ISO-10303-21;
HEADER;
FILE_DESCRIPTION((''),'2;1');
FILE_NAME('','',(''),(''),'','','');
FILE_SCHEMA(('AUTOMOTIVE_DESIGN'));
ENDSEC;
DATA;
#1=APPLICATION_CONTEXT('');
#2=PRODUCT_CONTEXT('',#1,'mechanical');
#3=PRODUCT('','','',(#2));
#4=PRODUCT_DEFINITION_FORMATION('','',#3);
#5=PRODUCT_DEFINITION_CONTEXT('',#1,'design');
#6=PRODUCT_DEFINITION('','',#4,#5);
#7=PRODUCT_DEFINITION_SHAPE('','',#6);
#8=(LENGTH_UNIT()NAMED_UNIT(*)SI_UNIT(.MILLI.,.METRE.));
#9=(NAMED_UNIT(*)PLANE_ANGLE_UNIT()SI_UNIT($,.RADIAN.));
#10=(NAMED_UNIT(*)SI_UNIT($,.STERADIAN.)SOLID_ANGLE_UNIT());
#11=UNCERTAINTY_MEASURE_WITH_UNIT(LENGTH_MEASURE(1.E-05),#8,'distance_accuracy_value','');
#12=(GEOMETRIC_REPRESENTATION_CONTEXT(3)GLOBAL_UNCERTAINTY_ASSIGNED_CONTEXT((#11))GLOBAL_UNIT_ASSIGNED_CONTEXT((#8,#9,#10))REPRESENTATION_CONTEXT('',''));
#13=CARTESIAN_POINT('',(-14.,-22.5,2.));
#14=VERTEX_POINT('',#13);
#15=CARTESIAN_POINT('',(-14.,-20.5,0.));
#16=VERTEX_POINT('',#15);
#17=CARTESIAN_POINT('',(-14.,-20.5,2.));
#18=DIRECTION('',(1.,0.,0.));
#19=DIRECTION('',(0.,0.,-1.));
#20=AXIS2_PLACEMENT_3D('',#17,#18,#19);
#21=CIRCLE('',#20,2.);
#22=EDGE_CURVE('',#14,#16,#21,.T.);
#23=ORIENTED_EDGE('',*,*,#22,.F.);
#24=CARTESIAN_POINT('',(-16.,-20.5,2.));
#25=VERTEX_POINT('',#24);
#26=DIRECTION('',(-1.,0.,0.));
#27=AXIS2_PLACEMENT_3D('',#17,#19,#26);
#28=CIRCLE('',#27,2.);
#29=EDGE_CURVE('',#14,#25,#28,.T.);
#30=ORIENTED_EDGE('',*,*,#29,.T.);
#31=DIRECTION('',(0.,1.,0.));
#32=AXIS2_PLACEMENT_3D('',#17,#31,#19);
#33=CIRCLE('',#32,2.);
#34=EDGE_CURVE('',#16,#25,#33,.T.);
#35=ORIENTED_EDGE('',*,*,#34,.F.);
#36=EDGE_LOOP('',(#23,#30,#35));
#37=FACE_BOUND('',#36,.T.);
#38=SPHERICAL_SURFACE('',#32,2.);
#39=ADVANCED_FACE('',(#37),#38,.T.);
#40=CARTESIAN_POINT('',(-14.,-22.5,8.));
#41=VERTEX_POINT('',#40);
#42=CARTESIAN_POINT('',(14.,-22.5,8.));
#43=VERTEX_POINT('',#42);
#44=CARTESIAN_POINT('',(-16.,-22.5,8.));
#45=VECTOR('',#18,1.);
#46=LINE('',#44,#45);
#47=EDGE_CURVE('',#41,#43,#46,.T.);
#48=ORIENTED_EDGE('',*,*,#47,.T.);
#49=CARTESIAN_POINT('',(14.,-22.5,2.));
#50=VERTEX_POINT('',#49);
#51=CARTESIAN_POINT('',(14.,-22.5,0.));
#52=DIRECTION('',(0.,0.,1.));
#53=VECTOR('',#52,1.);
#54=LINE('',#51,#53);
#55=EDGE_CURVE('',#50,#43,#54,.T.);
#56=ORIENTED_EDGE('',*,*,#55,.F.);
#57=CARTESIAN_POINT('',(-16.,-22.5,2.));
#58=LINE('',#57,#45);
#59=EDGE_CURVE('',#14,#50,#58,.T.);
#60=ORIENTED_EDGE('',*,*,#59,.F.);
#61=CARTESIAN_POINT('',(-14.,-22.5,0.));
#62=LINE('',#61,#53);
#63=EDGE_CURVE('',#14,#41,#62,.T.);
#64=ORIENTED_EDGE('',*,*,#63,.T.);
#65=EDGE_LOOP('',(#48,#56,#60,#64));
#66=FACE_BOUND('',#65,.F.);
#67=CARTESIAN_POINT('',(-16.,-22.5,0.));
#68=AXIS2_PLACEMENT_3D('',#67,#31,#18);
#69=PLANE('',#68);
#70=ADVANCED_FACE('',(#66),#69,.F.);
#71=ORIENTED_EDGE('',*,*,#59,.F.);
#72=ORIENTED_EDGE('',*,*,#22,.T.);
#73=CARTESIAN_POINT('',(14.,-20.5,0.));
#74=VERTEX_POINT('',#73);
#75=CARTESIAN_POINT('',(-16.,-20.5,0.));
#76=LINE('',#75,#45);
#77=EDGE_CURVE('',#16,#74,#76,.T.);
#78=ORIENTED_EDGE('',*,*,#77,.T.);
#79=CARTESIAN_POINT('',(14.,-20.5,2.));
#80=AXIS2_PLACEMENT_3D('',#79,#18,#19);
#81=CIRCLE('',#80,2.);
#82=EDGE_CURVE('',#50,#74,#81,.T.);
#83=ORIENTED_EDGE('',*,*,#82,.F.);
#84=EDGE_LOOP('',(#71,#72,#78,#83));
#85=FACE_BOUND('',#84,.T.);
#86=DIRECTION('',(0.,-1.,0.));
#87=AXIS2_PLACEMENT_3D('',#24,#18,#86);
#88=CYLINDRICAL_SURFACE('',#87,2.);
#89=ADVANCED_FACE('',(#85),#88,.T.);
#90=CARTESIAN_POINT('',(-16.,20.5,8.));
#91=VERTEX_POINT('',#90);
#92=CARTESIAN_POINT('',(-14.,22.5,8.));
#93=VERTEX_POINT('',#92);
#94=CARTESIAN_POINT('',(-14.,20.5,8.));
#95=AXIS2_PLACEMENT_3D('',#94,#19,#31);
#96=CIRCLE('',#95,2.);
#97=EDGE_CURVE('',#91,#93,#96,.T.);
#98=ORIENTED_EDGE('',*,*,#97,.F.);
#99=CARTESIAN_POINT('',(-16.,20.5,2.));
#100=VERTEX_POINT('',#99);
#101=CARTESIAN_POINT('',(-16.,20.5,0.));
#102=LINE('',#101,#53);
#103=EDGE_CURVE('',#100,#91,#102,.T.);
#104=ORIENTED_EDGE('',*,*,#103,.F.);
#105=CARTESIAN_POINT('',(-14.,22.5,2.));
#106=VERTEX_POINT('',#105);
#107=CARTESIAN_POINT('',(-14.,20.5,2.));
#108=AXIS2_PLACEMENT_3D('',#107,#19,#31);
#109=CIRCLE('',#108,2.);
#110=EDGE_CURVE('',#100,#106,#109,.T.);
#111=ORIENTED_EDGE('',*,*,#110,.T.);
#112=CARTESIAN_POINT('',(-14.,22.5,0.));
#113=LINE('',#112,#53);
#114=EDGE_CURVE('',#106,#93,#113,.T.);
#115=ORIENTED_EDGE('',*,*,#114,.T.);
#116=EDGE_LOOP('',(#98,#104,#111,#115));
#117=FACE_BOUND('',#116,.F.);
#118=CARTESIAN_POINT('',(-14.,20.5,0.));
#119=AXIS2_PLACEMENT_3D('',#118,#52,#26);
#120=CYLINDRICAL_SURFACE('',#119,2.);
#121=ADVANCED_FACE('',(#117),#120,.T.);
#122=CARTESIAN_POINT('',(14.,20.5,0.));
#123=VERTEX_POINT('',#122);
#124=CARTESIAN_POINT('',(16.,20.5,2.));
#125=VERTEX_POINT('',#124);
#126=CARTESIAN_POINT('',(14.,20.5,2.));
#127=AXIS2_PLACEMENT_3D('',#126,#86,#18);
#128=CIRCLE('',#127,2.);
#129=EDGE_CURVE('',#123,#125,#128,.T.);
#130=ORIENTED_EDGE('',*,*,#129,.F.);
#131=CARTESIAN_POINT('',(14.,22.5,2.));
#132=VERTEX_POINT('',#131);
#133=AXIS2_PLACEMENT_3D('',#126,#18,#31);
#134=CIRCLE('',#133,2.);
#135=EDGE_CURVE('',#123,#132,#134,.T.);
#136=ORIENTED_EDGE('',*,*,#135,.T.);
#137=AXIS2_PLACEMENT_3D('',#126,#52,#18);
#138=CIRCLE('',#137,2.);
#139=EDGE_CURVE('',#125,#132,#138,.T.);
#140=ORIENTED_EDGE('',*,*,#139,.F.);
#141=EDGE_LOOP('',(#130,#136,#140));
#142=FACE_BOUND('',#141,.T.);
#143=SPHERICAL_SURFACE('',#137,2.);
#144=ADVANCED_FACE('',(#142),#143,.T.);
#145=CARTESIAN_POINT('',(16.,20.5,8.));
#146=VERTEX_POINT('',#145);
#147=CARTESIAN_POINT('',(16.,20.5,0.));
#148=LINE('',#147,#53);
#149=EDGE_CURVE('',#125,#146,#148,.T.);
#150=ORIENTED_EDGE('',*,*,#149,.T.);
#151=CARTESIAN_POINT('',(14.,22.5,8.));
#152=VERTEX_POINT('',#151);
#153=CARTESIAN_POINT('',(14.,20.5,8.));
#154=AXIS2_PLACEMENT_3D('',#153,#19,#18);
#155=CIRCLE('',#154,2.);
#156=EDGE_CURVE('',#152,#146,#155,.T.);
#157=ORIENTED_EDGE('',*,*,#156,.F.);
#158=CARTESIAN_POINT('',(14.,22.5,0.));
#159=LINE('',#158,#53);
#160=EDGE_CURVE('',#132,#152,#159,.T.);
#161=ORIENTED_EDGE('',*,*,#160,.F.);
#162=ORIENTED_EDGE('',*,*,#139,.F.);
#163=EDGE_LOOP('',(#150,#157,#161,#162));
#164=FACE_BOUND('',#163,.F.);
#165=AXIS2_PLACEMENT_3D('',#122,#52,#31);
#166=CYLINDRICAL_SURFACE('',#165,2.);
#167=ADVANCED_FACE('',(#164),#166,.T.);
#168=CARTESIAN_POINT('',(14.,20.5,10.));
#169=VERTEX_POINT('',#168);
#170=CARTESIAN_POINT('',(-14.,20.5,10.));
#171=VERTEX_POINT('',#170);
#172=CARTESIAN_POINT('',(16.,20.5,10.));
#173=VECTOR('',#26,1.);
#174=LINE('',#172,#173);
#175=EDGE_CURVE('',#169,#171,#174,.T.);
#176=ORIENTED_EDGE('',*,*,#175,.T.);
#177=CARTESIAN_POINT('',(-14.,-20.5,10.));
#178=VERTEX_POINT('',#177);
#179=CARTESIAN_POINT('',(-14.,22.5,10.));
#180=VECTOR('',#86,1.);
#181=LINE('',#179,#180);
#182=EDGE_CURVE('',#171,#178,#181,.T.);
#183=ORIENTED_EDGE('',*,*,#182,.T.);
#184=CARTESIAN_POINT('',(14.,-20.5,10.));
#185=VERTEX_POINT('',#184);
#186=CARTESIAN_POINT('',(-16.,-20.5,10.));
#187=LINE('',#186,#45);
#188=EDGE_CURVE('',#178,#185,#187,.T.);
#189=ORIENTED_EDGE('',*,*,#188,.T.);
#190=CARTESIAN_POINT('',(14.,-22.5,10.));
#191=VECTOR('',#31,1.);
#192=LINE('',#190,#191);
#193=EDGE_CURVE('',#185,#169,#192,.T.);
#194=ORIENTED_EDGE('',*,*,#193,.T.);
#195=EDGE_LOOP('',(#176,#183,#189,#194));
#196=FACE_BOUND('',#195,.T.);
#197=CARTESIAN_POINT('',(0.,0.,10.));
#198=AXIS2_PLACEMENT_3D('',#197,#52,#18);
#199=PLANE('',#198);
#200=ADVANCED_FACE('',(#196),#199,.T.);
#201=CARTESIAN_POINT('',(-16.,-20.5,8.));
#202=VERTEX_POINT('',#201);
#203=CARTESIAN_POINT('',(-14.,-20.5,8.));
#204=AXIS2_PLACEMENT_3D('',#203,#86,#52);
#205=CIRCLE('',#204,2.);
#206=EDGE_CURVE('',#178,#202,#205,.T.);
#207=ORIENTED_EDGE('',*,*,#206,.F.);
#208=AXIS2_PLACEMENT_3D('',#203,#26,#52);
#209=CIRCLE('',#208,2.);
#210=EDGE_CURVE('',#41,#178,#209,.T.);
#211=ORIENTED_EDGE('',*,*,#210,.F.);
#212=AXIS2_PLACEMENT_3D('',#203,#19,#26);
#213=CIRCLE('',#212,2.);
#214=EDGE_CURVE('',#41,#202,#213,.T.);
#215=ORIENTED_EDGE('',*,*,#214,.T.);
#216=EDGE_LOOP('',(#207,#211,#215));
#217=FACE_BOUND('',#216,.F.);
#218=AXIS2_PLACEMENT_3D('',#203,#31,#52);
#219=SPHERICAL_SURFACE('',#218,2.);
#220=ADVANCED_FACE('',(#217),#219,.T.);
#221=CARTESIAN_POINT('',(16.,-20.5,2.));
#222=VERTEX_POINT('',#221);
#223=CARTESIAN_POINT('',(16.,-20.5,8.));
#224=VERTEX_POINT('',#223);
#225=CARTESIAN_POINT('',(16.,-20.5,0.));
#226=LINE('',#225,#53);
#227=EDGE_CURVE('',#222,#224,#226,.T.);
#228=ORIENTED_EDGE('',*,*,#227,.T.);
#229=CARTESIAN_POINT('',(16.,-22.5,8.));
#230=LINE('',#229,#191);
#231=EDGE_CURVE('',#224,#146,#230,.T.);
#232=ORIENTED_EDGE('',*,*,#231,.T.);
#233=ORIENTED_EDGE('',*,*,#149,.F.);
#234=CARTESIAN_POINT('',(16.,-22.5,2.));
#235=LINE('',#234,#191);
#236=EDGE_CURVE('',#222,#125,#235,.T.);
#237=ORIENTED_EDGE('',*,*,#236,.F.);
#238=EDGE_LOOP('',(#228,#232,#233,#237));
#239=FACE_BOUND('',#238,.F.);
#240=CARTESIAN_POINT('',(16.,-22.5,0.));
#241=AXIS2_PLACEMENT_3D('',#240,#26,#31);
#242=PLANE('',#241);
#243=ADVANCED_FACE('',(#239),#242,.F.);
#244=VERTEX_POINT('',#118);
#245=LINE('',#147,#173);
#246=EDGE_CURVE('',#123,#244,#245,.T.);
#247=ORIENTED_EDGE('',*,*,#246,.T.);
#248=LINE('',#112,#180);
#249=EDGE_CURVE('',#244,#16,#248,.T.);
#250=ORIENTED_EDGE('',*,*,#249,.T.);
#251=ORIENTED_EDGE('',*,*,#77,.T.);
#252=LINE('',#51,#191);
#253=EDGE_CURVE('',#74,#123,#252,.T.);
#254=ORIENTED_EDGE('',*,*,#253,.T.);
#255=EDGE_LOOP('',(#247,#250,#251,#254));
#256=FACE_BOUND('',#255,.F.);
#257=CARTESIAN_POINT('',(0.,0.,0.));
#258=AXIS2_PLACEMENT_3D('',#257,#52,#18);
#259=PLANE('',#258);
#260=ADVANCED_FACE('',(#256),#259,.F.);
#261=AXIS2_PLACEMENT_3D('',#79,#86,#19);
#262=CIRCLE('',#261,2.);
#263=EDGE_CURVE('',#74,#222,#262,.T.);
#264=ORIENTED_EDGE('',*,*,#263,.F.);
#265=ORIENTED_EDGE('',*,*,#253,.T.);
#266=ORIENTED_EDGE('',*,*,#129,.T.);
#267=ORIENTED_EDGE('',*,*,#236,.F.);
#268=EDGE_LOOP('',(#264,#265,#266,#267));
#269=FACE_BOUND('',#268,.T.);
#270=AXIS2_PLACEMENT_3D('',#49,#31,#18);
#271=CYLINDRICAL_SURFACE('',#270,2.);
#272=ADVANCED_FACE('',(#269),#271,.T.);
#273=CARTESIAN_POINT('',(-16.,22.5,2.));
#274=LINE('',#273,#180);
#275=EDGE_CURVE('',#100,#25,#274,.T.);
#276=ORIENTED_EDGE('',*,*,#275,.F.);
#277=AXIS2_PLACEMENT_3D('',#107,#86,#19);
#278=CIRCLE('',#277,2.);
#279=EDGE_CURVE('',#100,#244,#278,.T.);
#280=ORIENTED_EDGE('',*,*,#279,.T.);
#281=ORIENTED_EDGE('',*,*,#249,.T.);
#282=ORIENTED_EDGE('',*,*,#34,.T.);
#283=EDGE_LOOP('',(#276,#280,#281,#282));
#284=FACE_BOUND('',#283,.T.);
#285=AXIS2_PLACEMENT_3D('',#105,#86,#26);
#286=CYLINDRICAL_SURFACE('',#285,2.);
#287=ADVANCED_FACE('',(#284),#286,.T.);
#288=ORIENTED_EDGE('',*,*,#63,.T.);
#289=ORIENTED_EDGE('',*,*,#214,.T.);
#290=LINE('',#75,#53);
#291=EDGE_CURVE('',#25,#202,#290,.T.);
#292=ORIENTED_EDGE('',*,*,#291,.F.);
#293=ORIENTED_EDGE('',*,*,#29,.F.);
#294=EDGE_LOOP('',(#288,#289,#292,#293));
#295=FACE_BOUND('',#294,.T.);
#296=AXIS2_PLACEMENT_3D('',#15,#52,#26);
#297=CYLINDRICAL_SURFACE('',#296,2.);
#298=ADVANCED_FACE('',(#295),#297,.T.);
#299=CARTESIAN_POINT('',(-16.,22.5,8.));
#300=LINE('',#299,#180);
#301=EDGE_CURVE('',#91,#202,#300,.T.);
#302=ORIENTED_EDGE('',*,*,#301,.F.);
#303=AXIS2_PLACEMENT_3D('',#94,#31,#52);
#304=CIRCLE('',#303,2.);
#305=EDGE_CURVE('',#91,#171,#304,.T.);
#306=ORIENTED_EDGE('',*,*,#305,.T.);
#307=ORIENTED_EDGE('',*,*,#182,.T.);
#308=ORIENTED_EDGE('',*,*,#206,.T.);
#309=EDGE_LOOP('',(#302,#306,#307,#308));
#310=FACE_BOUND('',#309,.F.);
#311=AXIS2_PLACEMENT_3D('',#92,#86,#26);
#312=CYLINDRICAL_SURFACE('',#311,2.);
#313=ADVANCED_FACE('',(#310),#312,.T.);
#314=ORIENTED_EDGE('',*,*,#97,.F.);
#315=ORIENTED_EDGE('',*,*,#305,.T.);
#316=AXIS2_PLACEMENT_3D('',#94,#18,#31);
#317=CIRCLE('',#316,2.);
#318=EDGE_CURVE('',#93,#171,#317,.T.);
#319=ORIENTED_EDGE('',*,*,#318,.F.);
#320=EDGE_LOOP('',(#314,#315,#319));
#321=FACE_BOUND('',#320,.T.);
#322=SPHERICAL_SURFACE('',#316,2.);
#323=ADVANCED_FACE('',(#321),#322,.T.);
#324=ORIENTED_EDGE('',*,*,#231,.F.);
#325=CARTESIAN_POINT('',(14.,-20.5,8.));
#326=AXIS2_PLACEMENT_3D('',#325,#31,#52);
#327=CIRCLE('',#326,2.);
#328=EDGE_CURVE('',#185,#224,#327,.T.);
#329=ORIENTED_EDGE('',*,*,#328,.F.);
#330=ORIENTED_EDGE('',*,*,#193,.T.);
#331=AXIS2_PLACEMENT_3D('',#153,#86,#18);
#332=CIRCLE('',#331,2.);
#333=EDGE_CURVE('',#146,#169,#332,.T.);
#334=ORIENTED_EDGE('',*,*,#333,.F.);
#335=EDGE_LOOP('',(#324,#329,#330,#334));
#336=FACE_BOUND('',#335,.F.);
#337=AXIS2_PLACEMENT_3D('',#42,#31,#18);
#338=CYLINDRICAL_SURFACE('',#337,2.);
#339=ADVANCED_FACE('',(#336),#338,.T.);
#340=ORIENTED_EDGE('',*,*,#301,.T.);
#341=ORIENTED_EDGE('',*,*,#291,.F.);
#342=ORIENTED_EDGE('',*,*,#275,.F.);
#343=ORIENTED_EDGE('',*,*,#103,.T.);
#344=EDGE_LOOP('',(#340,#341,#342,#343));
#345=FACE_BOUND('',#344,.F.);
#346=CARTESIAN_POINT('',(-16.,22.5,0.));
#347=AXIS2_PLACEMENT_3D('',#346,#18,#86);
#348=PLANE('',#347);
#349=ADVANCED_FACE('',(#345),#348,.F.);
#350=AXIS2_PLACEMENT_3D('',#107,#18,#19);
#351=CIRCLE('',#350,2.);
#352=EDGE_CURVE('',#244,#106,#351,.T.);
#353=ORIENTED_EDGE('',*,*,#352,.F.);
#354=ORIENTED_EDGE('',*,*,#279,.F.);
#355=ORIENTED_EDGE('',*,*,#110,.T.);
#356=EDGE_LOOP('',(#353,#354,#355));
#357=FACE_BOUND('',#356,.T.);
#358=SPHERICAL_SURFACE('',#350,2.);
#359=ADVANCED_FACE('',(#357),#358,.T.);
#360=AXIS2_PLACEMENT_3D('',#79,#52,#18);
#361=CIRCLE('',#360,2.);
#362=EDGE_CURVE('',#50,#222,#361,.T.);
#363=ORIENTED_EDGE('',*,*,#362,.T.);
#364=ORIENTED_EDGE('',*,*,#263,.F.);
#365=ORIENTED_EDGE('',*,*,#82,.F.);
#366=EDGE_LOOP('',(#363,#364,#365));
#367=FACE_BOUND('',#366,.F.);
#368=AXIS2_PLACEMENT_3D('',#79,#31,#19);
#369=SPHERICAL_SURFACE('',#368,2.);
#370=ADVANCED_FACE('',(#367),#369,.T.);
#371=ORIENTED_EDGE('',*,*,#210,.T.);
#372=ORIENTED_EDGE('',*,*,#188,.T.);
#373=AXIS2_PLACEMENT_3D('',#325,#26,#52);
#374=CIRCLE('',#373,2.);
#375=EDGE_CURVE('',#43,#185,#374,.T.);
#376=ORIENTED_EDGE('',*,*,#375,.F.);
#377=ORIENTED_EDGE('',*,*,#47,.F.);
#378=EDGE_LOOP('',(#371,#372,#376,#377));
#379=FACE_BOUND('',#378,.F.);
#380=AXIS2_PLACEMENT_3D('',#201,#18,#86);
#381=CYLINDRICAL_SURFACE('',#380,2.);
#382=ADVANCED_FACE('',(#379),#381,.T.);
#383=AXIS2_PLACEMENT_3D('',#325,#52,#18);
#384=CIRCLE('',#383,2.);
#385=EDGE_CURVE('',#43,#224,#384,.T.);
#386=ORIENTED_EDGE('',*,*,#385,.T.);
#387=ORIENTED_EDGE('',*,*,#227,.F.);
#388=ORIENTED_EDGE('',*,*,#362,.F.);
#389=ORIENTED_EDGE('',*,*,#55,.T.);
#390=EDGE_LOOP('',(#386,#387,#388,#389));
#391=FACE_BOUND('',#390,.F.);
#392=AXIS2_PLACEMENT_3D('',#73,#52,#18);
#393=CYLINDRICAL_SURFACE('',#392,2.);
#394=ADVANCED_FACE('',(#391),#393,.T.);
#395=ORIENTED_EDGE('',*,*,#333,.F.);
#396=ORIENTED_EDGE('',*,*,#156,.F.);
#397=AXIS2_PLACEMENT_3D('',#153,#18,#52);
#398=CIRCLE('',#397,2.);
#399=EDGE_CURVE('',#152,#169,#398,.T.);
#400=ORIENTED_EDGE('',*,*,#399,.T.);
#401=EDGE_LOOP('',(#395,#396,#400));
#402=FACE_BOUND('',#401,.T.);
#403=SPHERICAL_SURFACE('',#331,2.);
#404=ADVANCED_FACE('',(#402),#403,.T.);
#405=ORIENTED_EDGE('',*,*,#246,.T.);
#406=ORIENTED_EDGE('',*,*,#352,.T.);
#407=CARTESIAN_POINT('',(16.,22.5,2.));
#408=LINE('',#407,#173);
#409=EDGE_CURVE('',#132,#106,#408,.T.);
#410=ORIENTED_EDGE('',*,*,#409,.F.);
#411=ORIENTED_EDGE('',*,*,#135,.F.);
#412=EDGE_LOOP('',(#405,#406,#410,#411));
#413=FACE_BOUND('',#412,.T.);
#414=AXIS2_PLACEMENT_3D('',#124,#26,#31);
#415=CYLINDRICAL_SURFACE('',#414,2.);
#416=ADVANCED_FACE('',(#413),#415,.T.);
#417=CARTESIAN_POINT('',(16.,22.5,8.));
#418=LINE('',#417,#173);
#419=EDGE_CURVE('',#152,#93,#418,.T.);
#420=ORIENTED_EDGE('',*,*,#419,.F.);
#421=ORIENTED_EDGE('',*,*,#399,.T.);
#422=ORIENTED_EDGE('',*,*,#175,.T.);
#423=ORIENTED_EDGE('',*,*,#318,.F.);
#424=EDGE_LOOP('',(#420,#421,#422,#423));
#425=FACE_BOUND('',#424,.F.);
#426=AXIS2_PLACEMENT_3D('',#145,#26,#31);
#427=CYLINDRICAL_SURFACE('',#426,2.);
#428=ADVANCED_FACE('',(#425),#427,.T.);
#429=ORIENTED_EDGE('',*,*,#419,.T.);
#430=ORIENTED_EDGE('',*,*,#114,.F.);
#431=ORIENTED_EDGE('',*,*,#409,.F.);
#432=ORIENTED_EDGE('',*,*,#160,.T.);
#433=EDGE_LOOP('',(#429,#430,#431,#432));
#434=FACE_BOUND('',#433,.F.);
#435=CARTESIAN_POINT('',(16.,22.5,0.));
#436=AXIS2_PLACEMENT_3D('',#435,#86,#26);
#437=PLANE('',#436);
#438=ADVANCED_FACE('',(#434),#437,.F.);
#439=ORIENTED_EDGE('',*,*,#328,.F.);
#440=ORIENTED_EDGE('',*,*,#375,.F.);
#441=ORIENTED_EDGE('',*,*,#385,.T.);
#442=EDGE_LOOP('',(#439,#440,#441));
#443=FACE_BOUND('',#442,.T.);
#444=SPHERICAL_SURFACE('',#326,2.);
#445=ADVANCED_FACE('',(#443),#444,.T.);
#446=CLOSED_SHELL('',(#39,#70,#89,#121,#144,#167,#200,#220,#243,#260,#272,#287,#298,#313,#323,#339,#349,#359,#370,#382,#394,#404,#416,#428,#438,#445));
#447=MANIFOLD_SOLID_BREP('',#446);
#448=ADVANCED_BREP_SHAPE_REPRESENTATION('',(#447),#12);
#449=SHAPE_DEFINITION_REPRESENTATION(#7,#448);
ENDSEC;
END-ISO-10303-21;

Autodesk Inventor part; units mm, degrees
ref_plane "YZ Plane" through (0, 0, 0) normal (1, 0, 0) x (0, 1, 0)
ref_plane "XZ Plane" through (0, 0, 0) normal (0, 1, 0) x (-1, 0, 0)
ref_plane "XY Plane" through (0, 0, 0) normal (0, 0, 1) x (1, 0, 0)
sketch "Sketch1" plane through (0, 0, 0) normal (0, 0, 1) x (1, 0, 0)
  line L0 (-16, -22.5) -> (16, -22.5)
  line L1 (16, -22.5) -> (16, 22.5)
  line L2 (16, 22.5) -> (-16, 22.5)
  line L3 (-16, 22.5) -> (-16, -22.5)
  line L4 (-16, -22.5) -> (16, 22.5) construction
  line L5 (16, -22.5) -> (-16, 22.5) construction
  point P0 (0, 0)
  dimension "d0" = 32
  dimension "d1" = 45
extrude "Extrusion1" add sketch "Sketch1" along normal blind 10
fillet "Fillet1" radius 2 12 edges at (16, 0, 10) (16, 22.5, 5) (0, 22.5, 10) (16, 0, 0) (0, 22.5, 0) (-16, 0, 0) (-16, 22.5, 5) (-16, 0, 10) (0, -22.5, 0) (0, -22.5, 10) (16, -22.5, 5) (-16, -22.5, 5)
properties part number "BatteryBoxSmaller"
